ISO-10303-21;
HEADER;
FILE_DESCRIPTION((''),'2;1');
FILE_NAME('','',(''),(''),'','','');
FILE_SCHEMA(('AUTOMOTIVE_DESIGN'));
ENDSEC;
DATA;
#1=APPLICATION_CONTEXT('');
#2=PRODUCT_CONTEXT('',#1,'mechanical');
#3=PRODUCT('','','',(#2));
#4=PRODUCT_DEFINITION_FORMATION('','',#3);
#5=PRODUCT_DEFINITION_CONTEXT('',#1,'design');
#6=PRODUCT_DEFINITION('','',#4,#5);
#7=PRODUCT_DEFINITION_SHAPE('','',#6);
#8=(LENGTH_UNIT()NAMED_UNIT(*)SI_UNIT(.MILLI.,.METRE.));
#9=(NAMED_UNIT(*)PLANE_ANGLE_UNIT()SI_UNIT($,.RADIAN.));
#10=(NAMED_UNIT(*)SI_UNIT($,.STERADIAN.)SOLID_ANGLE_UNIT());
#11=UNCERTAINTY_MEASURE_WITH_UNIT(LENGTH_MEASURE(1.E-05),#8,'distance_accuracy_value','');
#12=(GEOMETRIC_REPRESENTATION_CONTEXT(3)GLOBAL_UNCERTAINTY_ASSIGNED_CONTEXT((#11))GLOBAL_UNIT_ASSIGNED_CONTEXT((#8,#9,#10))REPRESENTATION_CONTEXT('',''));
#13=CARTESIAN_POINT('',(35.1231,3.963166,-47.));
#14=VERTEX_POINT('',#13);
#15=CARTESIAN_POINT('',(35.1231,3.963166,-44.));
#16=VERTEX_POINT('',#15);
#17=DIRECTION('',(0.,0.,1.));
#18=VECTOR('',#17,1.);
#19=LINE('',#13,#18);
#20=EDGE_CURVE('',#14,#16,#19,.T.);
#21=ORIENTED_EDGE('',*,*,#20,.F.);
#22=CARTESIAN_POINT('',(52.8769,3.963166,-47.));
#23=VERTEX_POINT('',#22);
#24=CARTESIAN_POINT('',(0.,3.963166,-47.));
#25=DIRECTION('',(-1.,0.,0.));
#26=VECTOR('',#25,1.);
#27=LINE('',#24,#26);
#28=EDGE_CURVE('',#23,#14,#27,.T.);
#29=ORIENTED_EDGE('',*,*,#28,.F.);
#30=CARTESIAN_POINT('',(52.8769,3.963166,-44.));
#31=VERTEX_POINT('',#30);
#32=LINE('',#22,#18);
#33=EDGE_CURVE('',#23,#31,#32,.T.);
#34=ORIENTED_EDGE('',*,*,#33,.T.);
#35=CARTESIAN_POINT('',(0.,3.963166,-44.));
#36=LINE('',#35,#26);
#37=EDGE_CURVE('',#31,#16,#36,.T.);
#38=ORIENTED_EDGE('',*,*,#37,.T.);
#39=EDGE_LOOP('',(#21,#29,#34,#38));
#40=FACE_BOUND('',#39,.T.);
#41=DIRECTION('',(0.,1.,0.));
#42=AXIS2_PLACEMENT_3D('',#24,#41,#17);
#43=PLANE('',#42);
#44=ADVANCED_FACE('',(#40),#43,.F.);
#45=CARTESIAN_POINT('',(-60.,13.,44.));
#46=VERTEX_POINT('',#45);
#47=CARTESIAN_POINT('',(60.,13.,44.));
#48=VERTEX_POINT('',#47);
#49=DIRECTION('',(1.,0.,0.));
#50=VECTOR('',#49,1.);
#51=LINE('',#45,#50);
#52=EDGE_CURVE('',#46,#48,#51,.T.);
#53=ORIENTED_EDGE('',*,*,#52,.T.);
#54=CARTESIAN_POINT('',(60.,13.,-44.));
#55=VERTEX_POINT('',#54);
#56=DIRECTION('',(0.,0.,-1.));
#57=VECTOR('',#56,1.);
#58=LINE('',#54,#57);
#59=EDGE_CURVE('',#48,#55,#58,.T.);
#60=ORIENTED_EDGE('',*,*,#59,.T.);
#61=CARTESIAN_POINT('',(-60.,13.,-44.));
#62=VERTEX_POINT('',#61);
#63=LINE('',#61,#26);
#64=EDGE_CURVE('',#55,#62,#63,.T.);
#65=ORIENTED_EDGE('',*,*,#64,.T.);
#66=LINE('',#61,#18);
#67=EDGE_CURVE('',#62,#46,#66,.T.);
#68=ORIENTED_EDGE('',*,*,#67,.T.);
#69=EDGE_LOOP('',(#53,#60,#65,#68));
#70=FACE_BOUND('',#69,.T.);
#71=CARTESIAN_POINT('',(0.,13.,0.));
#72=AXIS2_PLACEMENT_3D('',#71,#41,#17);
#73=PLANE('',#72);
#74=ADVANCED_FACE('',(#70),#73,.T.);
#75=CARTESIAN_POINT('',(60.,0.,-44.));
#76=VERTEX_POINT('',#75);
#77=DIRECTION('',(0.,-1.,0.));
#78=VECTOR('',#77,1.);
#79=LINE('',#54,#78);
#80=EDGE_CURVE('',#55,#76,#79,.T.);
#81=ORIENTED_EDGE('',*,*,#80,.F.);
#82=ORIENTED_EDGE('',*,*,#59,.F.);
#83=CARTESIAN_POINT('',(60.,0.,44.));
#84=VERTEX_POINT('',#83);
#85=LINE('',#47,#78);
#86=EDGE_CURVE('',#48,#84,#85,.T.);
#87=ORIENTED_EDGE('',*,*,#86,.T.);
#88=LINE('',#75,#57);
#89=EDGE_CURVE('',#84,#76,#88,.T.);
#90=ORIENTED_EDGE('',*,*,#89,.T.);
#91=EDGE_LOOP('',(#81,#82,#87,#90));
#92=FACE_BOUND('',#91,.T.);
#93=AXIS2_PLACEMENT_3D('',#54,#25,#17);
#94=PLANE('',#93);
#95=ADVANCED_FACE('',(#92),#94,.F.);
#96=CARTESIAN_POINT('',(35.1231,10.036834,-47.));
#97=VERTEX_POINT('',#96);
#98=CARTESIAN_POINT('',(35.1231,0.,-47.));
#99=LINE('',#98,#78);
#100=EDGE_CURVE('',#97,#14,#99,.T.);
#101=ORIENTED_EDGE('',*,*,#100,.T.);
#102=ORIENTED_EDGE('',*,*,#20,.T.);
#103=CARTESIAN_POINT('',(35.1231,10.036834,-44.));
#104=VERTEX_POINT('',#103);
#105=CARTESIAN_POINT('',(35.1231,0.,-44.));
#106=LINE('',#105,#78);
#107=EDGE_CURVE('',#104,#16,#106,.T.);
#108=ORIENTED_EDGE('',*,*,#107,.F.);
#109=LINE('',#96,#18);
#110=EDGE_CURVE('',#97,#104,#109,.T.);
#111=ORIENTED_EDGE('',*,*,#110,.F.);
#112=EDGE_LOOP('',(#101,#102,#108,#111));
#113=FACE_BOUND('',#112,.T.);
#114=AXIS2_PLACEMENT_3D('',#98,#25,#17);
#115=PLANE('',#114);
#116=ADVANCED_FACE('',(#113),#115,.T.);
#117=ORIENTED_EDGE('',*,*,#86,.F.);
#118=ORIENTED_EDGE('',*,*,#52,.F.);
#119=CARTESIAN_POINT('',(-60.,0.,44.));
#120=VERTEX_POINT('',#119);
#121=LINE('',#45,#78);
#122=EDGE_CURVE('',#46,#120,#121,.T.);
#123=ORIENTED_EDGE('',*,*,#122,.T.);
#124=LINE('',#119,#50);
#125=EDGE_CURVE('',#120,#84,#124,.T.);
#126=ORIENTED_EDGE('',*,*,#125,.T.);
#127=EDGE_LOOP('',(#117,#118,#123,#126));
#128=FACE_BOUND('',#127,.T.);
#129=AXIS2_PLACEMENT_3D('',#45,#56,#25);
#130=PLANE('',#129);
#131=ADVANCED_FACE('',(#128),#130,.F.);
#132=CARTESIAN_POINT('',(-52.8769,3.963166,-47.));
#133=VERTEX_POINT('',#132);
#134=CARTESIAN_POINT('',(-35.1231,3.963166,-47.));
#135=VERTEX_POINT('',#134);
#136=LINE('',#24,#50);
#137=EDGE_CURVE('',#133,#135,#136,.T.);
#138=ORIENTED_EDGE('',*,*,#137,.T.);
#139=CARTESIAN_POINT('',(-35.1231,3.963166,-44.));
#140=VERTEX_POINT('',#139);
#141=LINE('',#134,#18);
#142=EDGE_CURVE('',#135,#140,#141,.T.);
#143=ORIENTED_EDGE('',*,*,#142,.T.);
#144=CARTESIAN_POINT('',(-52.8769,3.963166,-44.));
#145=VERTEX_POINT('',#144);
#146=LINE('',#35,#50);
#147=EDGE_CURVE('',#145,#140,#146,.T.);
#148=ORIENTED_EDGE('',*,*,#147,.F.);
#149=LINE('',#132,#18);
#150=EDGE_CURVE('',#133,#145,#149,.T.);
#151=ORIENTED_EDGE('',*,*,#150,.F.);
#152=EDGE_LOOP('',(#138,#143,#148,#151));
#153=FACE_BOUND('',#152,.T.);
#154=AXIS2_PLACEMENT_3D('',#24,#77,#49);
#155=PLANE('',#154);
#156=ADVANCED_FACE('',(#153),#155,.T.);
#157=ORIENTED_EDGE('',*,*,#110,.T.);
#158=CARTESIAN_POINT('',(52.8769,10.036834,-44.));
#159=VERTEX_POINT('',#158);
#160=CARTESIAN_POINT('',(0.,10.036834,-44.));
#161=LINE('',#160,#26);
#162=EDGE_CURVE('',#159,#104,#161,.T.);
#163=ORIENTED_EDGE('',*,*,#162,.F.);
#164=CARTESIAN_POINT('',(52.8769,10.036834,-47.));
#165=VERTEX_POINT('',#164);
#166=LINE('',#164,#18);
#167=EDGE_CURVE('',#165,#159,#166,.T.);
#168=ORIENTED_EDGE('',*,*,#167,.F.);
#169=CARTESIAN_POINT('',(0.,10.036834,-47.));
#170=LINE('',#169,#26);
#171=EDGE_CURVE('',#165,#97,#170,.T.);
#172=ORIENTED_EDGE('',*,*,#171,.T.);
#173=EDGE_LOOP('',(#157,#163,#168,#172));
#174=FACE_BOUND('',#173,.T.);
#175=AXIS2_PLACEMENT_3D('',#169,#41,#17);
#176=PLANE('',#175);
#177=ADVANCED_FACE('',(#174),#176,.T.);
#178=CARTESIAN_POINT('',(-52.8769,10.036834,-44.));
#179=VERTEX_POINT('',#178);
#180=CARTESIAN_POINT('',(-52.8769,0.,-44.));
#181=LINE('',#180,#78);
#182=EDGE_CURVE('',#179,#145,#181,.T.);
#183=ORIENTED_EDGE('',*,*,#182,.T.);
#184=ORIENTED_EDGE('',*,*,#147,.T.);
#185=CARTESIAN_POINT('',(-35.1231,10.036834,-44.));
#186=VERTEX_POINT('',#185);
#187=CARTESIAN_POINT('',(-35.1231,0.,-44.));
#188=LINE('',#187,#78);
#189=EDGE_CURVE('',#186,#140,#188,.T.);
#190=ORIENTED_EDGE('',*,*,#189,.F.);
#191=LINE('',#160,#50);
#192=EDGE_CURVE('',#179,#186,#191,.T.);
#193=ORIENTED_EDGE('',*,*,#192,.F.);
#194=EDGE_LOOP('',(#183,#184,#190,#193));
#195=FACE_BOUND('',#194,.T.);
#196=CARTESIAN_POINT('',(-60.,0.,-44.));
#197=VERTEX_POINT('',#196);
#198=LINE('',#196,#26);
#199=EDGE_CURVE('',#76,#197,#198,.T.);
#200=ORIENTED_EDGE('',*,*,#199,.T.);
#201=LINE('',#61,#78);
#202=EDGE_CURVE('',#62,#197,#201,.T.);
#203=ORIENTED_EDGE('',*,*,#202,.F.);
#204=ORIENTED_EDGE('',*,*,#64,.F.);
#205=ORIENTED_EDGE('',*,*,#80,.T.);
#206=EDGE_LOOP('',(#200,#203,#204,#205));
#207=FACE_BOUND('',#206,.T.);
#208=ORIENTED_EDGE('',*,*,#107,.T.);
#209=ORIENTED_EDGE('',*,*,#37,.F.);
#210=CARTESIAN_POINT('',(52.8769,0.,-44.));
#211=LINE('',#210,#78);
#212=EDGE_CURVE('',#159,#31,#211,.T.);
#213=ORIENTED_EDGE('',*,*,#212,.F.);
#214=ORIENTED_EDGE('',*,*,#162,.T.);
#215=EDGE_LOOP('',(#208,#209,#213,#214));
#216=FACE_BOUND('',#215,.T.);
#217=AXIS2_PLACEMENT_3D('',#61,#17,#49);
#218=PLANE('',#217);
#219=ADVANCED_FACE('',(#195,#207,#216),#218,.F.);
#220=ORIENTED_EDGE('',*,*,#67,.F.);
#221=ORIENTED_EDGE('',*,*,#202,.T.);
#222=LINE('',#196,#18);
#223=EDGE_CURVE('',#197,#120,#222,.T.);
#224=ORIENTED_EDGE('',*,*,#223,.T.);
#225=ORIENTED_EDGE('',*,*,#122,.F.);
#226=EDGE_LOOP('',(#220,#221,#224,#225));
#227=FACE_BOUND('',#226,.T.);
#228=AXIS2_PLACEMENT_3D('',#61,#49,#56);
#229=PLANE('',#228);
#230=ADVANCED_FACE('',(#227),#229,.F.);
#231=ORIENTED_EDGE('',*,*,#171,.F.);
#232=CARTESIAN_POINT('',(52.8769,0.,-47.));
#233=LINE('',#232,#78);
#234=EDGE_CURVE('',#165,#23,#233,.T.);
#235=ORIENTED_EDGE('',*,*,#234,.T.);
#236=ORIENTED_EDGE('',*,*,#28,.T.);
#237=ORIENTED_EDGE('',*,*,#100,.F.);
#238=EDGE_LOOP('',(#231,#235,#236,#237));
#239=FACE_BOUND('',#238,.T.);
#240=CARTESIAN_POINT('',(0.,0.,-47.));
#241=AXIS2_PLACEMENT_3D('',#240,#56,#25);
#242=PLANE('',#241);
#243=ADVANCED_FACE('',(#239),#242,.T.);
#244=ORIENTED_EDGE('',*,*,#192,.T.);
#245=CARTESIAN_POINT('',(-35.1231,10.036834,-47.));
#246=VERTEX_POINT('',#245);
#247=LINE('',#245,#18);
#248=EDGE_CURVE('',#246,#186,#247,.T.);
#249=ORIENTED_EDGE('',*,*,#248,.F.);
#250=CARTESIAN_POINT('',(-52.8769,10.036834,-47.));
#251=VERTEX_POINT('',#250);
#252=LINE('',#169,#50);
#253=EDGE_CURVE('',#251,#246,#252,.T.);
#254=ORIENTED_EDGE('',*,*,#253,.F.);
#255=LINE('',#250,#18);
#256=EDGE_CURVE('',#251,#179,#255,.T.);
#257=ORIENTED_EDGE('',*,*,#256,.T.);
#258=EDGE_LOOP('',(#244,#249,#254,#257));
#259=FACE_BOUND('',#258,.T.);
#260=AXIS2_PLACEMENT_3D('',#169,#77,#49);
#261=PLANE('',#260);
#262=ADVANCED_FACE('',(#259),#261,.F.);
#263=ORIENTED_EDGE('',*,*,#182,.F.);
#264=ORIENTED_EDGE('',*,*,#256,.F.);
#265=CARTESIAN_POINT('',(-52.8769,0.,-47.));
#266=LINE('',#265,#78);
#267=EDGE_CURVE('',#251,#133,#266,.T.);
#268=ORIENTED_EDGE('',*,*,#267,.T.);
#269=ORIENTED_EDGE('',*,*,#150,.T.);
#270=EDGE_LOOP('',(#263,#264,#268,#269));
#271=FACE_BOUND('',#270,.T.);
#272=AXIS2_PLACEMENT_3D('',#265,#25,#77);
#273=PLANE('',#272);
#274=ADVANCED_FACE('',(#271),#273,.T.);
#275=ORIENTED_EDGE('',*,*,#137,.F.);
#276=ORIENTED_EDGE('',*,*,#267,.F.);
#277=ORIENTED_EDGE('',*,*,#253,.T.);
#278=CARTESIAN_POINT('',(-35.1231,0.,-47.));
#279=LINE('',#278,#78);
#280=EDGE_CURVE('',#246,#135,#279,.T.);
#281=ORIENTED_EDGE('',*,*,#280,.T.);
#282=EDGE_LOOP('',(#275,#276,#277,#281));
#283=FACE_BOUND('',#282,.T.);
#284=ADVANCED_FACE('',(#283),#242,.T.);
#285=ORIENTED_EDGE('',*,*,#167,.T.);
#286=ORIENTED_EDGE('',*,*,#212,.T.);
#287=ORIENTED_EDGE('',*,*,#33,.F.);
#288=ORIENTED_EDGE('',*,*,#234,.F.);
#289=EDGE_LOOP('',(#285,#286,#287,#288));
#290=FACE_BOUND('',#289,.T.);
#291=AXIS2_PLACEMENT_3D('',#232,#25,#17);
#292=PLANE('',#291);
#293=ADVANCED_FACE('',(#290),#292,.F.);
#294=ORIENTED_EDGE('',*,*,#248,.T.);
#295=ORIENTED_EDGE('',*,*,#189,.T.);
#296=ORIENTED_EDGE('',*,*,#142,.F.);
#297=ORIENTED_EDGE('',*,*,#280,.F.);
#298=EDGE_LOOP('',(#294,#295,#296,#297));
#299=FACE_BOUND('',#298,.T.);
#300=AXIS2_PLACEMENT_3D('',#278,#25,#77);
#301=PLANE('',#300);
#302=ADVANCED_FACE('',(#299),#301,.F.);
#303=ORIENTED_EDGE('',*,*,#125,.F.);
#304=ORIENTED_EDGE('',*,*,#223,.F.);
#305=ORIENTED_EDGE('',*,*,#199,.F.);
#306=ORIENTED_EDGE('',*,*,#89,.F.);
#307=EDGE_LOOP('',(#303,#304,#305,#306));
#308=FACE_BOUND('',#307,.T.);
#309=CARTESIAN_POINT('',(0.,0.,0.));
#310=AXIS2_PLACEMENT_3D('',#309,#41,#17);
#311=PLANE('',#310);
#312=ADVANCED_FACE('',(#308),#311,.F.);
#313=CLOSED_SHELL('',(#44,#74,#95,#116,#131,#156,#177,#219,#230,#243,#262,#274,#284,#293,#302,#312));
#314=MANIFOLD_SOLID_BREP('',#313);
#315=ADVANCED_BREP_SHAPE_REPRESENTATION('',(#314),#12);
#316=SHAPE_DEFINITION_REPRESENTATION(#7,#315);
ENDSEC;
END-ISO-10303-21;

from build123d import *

# Parameters (mm, degrees)
SKETCH1_W           = 120
SKETCH1_H           = 88
BOSS_EXTRUDE1_DEPTH = 13
SKETCH2_W           = 17.753799792
SKETCH2_H           = 6.07366835
BOSS_EXTRUDE2_DEPTH = 3


with BuildPart() as part:
    # Sketch1 → Boss-Extrude1 (new body)
    with BuildSketch(Plane(origin=(0, 0, 0), x_dir=(1, 0, 0), z_dir=(0, 1, 0))):
        Rectangle(SKETCH1_W, SKETCH1_H)
    extrude(amount=BOSS_EXTRUDE1_DEPTH)

    # Sketch2 → Boss-Extrude2 (add)
    with BuildSketch(Plane(origin=(0, 0, -44), x_dir=(-1, 0, 0), z_dir=(0, 0, -1))):
        with Locations((-44, 7)):
            Rectangle(SKETCH2_W, SKETCH2_H)
        with Locations((44, 7)):
            Rectangle(SKETCH2_W, SKETCH2_H)
    extrude(amount=BOSS_EXTRUDE2_DEPTH)


solid = part.part
